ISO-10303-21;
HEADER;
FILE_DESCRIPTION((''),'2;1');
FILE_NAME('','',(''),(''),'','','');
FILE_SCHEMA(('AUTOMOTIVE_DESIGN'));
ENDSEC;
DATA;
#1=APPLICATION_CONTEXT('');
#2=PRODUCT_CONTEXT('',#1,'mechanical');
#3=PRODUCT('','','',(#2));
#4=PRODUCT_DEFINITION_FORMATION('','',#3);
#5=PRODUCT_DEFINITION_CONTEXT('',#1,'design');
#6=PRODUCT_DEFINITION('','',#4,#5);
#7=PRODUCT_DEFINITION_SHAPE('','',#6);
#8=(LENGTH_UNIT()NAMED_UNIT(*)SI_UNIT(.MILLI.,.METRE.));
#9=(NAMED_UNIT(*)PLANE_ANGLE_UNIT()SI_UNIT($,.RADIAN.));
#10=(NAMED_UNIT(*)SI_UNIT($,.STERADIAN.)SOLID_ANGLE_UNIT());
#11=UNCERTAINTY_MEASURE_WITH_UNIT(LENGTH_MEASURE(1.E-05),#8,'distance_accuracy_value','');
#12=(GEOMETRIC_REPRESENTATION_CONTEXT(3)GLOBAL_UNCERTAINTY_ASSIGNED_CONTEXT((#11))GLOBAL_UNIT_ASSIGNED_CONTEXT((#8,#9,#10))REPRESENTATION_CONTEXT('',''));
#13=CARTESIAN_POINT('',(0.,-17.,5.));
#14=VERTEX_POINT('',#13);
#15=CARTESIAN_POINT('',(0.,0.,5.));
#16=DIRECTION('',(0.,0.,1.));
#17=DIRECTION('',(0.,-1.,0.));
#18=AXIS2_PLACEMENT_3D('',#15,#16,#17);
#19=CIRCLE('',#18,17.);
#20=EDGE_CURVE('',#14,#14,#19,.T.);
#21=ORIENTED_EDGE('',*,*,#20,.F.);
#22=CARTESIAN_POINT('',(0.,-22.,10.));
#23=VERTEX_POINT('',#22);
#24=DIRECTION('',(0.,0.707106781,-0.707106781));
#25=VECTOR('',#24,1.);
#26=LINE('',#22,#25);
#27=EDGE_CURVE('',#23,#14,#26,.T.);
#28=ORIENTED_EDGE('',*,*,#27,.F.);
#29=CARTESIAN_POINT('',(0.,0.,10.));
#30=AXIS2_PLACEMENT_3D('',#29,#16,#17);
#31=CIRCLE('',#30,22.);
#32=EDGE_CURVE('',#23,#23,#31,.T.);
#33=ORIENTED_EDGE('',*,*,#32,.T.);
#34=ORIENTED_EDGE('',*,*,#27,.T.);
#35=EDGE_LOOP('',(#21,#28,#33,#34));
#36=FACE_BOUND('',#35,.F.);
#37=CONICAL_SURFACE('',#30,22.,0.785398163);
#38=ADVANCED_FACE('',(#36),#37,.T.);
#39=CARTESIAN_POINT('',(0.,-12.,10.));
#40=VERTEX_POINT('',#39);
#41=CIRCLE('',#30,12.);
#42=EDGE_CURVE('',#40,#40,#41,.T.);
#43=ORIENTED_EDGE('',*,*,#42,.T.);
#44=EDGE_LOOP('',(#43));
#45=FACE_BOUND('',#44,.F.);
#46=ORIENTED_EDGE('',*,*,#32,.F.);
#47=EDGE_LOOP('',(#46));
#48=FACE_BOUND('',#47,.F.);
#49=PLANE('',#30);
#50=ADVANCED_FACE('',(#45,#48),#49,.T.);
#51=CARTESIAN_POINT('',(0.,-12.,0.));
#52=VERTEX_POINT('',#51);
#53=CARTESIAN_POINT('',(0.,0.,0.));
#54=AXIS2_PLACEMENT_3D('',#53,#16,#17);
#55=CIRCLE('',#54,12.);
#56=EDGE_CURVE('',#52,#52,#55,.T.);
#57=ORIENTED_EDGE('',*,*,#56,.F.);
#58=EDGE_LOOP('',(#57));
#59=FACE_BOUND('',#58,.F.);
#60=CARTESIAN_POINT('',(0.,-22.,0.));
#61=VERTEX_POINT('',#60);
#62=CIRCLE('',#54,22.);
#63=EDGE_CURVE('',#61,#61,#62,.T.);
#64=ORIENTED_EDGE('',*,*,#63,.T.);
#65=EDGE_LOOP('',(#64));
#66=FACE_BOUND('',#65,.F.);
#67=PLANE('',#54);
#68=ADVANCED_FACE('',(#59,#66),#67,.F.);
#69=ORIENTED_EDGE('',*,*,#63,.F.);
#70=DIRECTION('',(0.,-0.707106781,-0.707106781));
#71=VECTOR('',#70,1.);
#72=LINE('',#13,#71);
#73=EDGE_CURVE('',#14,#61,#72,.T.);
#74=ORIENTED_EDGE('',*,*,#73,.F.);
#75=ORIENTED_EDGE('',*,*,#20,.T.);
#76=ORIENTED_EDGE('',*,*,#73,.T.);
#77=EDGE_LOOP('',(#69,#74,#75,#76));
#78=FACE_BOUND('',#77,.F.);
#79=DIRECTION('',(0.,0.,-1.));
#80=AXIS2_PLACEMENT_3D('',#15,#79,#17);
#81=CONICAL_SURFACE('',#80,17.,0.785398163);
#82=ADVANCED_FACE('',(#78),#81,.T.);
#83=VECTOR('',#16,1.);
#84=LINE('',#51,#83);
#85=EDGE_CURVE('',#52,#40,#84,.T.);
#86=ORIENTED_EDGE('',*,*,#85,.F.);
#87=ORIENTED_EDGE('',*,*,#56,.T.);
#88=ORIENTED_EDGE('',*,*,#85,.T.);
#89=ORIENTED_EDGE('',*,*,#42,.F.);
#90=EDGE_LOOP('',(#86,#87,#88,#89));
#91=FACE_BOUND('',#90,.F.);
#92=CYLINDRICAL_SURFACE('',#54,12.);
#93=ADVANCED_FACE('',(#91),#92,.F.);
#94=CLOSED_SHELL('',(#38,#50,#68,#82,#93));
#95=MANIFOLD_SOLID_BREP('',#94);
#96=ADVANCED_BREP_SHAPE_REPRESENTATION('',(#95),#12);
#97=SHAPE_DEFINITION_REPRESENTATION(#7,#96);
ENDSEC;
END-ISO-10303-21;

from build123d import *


with BuildPart() as f1:
    # F0 (on Right) → F1 (revolve)
    with BuildSketch(Plane.YZ):
        Polygon((-22, 10), (-17, 5), (-17, 10), align=None)
        Polygon((-22, 0), (-17, 0), (-17, 5), align=None)
        Polygon((-17, 0), (-12, 0), (-12, 10), (-17, 10), (-17, 5), align=None)
    revolve(axis=Axis((0, 0, 7.720471), (0, 0, 1)))


solid = f1.part
